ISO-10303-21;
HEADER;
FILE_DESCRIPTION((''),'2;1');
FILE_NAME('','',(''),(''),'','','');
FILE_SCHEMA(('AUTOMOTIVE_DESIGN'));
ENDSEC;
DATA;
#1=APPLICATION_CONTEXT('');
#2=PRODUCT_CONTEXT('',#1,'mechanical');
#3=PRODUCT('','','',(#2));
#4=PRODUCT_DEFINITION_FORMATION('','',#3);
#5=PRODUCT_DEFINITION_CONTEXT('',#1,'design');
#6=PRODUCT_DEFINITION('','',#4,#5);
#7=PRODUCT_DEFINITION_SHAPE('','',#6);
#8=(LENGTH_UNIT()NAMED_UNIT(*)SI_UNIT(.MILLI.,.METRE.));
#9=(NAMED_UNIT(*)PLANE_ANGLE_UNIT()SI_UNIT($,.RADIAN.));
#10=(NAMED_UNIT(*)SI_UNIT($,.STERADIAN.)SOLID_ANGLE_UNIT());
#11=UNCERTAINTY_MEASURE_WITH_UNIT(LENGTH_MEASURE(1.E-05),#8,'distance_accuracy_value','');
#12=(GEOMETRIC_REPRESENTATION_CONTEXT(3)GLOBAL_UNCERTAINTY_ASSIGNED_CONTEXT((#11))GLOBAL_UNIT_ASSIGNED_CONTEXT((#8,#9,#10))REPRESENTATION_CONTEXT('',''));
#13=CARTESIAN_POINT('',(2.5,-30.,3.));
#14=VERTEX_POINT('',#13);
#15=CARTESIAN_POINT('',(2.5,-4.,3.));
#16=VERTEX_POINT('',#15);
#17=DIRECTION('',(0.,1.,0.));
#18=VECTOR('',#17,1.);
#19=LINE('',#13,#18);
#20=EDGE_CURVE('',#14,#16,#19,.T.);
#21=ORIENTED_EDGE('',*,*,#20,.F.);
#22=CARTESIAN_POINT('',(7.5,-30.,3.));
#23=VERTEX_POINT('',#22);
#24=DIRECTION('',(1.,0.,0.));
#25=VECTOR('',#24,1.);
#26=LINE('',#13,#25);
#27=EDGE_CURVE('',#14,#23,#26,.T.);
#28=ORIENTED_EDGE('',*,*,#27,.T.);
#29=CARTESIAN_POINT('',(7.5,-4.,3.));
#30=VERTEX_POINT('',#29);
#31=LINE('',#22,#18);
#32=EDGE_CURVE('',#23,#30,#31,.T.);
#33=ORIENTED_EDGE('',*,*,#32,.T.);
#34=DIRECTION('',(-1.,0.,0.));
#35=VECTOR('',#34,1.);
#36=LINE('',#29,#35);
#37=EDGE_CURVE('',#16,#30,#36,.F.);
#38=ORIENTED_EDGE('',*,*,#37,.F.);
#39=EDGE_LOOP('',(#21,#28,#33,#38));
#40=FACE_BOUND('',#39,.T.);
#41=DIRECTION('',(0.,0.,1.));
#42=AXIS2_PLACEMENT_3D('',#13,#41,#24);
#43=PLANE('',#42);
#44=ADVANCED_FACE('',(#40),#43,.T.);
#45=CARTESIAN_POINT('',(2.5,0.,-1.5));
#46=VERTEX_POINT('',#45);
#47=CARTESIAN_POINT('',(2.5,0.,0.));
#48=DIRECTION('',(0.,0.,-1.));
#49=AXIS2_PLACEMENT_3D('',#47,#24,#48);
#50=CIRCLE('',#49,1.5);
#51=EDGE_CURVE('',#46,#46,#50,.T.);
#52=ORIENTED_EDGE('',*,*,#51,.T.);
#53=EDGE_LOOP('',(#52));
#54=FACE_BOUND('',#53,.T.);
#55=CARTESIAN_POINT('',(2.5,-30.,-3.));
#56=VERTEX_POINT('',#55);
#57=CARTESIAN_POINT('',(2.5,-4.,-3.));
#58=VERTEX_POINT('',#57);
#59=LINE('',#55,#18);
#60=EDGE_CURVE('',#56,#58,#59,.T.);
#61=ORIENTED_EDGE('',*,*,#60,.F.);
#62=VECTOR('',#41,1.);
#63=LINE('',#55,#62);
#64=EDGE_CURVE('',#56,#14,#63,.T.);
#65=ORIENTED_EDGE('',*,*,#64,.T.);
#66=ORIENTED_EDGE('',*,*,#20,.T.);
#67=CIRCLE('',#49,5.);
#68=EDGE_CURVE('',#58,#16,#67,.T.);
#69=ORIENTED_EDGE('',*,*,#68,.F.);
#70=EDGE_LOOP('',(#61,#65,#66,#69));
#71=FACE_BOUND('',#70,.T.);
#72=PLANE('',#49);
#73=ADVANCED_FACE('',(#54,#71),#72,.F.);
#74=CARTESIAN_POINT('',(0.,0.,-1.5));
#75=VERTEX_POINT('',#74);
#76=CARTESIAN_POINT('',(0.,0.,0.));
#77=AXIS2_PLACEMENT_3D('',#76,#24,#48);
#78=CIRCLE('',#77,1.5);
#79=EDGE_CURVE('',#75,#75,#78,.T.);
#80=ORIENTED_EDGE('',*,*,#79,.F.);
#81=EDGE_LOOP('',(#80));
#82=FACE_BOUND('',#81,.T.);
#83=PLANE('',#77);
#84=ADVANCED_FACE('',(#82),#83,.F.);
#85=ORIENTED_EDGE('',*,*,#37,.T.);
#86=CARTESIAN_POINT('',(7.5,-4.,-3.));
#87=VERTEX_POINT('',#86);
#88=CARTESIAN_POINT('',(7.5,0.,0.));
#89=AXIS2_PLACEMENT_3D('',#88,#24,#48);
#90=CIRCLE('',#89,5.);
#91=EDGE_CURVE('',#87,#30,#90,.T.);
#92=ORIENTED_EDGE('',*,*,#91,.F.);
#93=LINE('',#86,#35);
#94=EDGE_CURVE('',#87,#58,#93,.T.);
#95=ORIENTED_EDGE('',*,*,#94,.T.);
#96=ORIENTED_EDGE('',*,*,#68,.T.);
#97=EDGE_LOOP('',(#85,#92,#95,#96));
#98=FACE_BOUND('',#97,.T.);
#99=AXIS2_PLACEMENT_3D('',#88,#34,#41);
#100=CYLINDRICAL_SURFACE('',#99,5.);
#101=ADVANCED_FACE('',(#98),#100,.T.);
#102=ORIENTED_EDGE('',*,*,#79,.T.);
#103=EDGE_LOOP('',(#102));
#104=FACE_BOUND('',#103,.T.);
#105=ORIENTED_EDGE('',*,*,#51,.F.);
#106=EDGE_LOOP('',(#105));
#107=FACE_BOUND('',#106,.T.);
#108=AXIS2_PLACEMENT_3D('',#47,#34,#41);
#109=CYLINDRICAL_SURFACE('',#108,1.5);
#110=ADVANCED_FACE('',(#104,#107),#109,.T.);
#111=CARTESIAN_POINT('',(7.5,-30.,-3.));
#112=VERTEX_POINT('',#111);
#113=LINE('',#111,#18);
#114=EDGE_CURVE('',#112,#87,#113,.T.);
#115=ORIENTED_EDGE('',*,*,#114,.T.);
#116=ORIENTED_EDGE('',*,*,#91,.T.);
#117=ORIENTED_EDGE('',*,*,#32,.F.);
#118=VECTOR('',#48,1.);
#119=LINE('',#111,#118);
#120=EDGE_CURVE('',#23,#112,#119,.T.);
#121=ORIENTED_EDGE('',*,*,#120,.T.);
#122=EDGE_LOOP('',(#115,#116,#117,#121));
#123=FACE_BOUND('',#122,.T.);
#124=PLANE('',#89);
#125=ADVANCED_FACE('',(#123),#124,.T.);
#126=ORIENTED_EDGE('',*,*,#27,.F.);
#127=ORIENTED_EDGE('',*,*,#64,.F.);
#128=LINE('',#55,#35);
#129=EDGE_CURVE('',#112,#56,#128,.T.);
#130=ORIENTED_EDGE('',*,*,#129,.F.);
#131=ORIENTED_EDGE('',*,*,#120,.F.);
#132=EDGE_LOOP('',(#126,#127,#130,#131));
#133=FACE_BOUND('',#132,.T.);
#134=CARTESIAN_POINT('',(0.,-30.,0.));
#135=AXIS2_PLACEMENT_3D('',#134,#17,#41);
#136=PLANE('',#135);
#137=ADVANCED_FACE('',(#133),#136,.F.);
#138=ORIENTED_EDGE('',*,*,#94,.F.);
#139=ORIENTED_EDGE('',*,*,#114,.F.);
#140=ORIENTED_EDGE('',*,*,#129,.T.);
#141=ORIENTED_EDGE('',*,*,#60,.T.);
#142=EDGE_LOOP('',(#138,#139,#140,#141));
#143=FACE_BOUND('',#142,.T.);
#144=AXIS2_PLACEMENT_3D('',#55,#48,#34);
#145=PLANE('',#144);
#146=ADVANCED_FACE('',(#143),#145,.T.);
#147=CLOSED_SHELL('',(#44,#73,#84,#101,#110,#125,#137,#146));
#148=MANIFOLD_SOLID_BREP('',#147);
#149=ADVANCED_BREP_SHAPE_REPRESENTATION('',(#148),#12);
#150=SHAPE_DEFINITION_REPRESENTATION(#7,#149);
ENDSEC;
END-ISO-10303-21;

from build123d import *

# Parameters (mm, degrees)
SKETCH_1_R      = 1.5
EXTRUDE_1_DEPTH = 2.5
SKETCH_2_R      = 5
EXTRUDE_2_DEPTH = 5
SKETCH_3_W      = 5
SKETCH_3_H      = 6
EXTRUDE_3_DEPTH = 30


with BuildPart() as part:
    # 草图1 → 凸台-拉伸1 (new body)
    with BuildSketch(Plane(origin=(0, 0, 0), x_dir=(0, 0, -1), z_dir=(1, 0, 0))):
        Circle(SKETCH_1_R)
    extrude(amount=EXTRUDE_1_DEPTH)

    # 草图2 → 凸台-拉伸2 (add)
    with BuildSketch(Plane(origin=(2.5, 0, 0), x_dir=(0, 0, -1), z_dir=(1, 0, 0))):
        Circle(SKETCH_2_R)
    extrude(amount=EXTRUDE_2_DEPTH)

    # 草图3 → 凸台-拉伸3 (add)
    with BuildSketch(Plane(origin=(0, 0, 0), x_dir=(1, 0, 0), z_dir=(0, 1, 0))):
        with Locations((5, 0)):
            Rectangle(SKETCH_3_W, SKETCH_3_H)
    extrude(amount=-EXTRUDE_3_DEPTH)


solid = part.part
